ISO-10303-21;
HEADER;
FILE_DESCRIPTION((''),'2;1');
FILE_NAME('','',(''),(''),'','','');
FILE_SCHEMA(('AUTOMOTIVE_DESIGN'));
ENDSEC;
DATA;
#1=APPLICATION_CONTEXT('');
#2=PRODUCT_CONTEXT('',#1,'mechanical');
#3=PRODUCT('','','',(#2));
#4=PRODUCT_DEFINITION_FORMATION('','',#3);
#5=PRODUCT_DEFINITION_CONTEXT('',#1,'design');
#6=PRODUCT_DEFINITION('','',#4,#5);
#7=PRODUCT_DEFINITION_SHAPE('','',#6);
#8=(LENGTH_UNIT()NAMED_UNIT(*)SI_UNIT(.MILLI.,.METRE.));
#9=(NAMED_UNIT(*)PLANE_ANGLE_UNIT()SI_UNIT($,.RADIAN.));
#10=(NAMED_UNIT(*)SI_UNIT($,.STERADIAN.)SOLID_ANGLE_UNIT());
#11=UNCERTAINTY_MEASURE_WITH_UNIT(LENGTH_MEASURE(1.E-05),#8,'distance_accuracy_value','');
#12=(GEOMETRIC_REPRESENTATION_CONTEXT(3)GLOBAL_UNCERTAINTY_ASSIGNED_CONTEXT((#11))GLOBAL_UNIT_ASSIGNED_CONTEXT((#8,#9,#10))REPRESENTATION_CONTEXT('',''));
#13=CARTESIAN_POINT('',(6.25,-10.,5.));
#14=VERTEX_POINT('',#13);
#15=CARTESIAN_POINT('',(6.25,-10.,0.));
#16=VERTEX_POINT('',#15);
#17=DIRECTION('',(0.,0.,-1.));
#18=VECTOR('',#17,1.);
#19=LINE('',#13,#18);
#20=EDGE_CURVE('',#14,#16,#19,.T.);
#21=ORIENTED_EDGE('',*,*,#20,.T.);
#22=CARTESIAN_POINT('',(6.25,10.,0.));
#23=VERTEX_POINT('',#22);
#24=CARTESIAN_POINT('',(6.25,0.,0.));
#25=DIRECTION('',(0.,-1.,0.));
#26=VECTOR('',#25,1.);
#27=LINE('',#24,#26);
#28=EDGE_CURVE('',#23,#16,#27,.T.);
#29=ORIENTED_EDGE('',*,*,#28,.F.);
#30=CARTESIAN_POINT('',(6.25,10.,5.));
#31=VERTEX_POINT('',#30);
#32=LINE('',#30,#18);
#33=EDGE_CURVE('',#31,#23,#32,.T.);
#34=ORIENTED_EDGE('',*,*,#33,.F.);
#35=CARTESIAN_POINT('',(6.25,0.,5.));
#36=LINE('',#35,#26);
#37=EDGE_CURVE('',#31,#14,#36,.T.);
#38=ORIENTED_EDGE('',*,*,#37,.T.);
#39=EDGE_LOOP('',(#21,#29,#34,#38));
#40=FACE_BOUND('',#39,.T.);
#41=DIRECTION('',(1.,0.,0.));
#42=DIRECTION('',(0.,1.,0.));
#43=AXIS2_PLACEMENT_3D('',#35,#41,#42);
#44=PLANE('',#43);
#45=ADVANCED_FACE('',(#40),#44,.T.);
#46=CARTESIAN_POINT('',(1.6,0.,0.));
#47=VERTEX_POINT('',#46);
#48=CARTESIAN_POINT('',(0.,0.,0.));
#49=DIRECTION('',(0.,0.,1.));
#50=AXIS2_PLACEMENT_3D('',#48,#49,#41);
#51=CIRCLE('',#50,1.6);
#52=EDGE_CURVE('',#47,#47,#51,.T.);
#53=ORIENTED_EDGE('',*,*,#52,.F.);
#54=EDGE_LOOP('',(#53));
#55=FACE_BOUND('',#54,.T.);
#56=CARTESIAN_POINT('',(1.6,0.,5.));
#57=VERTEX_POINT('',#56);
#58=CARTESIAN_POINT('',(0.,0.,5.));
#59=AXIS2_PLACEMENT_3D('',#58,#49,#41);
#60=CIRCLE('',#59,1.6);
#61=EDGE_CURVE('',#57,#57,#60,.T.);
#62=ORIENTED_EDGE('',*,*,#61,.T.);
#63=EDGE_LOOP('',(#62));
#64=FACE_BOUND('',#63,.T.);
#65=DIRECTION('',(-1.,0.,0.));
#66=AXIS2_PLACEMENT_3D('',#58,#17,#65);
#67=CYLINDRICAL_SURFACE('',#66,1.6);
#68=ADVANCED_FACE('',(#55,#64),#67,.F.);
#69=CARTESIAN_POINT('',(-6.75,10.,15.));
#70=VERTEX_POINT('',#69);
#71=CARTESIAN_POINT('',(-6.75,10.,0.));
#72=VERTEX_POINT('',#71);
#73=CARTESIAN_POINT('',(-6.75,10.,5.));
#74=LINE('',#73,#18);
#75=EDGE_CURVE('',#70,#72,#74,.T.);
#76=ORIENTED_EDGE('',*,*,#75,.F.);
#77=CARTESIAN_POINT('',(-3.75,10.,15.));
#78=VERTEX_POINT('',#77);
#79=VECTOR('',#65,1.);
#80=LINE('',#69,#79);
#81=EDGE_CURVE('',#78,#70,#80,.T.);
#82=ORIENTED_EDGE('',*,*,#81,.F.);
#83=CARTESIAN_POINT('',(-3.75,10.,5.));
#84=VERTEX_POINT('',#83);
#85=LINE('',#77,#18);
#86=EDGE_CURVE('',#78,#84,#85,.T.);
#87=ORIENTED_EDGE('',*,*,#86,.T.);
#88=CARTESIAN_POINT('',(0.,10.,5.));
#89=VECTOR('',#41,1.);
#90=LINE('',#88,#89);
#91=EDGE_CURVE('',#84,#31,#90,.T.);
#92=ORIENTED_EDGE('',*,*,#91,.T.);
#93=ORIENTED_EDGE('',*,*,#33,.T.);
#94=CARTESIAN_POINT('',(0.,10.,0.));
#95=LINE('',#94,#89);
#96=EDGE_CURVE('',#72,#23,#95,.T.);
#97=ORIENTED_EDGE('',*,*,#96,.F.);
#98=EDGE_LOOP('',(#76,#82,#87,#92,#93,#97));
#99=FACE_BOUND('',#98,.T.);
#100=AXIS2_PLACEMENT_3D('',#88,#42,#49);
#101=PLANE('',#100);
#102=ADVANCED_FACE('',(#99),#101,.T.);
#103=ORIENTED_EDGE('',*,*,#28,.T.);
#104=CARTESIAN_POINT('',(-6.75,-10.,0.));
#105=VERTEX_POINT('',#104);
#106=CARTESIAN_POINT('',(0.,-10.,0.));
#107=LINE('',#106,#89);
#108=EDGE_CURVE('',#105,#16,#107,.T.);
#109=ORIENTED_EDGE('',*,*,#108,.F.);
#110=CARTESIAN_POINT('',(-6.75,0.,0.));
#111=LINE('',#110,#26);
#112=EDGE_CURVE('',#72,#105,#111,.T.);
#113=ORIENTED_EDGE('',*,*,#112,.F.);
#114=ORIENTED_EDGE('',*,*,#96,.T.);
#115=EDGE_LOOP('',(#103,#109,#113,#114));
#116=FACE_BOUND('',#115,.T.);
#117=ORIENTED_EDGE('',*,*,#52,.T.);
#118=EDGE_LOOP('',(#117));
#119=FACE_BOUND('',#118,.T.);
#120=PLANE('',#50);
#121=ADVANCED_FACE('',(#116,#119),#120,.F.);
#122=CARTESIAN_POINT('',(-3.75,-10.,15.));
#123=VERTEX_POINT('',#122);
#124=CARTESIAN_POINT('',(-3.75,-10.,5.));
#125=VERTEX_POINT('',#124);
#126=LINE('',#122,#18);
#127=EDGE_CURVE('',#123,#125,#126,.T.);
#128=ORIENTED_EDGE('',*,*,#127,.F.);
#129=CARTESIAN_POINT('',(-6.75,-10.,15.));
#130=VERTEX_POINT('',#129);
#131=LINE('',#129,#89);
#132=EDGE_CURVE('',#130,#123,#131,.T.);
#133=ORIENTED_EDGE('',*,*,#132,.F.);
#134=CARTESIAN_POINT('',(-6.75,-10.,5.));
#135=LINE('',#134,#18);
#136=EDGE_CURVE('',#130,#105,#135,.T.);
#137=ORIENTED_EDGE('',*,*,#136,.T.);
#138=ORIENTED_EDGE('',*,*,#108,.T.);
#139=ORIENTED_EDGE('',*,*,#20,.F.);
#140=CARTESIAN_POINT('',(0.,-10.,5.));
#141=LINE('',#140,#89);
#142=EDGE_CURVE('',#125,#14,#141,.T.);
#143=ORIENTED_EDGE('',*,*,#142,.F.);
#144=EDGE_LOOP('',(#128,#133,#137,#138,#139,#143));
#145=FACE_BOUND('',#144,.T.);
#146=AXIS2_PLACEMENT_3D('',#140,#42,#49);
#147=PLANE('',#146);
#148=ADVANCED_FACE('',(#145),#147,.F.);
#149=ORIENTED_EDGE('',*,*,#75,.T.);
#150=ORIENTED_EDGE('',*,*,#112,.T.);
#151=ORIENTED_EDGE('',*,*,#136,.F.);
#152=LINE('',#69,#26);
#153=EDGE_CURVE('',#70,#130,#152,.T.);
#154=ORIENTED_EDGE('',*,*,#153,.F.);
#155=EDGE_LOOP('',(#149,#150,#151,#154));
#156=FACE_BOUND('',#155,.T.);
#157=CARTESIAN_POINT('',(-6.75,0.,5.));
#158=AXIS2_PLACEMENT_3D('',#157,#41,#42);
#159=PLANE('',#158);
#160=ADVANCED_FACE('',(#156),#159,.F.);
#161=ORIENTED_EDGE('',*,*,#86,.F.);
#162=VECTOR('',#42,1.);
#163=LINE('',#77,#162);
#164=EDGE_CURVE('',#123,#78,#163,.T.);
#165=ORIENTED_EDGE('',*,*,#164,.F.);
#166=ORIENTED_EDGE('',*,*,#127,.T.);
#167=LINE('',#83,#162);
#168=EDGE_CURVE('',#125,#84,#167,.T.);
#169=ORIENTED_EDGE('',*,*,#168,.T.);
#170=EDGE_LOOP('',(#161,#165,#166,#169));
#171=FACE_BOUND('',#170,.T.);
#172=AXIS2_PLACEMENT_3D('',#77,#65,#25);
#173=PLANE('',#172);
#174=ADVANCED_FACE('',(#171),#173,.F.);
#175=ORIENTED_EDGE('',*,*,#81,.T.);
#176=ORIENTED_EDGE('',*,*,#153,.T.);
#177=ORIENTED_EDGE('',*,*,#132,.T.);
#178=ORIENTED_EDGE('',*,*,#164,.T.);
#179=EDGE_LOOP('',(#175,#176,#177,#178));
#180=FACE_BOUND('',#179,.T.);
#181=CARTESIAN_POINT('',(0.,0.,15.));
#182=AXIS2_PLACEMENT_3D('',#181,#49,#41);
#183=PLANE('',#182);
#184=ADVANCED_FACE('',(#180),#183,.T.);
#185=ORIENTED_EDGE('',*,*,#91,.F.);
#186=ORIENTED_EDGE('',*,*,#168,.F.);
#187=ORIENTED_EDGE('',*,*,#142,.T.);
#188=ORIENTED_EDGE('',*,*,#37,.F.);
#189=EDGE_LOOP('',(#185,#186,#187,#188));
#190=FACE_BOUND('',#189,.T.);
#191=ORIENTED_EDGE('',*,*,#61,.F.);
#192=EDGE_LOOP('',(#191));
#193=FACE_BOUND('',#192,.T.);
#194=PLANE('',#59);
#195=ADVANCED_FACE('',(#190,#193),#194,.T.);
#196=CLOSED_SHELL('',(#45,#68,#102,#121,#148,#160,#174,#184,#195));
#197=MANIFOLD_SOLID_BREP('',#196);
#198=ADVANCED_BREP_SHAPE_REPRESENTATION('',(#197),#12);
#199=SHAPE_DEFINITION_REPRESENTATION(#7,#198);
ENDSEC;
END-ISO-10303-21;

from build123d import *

# Parameters (mm, degrees)
SZKIC1_W                    = 10
SZKIC1_H                    = 20
SZKIC1_R                    = 1.6
SZKIC1_W_2                  = 3
DODANIE_WYCI_GNI_CIE1_DEPTH = 5
SZKIC2_W                    = 3
SZKIC2_H                    = 20
DODANIE_WYCI_GNI_CIE2_DEPTH = 10


with BuildPart() as part:
    # Szkic1 → Dodanie-wyciągnięcie1 (new body)
    # profile 1 of 2: a face of its own
    with BuildSketch(Plane.XY):
        with Locations((1.25, 0)):
            Rectangle(SZKIC1_W, SZKIC1_H)
        Circle(SZKIC1_R, mode=Mode.SUBTRACT)
    # profile 2 of 2: a face of its own
    with BuildSketch(Plane.XY):
        with Locations((-5.25, 0)):
            Rectangle(SZKIC1_W_2, SZKIC1_H)
    extrude(amount=DODANIE_WYCI_GNI_CIE1_DEPTH)

    # Szkic2 → Dodanie-wyciągnięcie2 (add)
    with BuildSketch(Plane.XY.offset(5)):
        with Locations((-5.25, 0)):
            Rectangle(SZKIC2_W, SZKIC2_H)
    extrude(amount=DODANIE_WYCI_GNI_CIE2_DEPTH)


solid = part.part
